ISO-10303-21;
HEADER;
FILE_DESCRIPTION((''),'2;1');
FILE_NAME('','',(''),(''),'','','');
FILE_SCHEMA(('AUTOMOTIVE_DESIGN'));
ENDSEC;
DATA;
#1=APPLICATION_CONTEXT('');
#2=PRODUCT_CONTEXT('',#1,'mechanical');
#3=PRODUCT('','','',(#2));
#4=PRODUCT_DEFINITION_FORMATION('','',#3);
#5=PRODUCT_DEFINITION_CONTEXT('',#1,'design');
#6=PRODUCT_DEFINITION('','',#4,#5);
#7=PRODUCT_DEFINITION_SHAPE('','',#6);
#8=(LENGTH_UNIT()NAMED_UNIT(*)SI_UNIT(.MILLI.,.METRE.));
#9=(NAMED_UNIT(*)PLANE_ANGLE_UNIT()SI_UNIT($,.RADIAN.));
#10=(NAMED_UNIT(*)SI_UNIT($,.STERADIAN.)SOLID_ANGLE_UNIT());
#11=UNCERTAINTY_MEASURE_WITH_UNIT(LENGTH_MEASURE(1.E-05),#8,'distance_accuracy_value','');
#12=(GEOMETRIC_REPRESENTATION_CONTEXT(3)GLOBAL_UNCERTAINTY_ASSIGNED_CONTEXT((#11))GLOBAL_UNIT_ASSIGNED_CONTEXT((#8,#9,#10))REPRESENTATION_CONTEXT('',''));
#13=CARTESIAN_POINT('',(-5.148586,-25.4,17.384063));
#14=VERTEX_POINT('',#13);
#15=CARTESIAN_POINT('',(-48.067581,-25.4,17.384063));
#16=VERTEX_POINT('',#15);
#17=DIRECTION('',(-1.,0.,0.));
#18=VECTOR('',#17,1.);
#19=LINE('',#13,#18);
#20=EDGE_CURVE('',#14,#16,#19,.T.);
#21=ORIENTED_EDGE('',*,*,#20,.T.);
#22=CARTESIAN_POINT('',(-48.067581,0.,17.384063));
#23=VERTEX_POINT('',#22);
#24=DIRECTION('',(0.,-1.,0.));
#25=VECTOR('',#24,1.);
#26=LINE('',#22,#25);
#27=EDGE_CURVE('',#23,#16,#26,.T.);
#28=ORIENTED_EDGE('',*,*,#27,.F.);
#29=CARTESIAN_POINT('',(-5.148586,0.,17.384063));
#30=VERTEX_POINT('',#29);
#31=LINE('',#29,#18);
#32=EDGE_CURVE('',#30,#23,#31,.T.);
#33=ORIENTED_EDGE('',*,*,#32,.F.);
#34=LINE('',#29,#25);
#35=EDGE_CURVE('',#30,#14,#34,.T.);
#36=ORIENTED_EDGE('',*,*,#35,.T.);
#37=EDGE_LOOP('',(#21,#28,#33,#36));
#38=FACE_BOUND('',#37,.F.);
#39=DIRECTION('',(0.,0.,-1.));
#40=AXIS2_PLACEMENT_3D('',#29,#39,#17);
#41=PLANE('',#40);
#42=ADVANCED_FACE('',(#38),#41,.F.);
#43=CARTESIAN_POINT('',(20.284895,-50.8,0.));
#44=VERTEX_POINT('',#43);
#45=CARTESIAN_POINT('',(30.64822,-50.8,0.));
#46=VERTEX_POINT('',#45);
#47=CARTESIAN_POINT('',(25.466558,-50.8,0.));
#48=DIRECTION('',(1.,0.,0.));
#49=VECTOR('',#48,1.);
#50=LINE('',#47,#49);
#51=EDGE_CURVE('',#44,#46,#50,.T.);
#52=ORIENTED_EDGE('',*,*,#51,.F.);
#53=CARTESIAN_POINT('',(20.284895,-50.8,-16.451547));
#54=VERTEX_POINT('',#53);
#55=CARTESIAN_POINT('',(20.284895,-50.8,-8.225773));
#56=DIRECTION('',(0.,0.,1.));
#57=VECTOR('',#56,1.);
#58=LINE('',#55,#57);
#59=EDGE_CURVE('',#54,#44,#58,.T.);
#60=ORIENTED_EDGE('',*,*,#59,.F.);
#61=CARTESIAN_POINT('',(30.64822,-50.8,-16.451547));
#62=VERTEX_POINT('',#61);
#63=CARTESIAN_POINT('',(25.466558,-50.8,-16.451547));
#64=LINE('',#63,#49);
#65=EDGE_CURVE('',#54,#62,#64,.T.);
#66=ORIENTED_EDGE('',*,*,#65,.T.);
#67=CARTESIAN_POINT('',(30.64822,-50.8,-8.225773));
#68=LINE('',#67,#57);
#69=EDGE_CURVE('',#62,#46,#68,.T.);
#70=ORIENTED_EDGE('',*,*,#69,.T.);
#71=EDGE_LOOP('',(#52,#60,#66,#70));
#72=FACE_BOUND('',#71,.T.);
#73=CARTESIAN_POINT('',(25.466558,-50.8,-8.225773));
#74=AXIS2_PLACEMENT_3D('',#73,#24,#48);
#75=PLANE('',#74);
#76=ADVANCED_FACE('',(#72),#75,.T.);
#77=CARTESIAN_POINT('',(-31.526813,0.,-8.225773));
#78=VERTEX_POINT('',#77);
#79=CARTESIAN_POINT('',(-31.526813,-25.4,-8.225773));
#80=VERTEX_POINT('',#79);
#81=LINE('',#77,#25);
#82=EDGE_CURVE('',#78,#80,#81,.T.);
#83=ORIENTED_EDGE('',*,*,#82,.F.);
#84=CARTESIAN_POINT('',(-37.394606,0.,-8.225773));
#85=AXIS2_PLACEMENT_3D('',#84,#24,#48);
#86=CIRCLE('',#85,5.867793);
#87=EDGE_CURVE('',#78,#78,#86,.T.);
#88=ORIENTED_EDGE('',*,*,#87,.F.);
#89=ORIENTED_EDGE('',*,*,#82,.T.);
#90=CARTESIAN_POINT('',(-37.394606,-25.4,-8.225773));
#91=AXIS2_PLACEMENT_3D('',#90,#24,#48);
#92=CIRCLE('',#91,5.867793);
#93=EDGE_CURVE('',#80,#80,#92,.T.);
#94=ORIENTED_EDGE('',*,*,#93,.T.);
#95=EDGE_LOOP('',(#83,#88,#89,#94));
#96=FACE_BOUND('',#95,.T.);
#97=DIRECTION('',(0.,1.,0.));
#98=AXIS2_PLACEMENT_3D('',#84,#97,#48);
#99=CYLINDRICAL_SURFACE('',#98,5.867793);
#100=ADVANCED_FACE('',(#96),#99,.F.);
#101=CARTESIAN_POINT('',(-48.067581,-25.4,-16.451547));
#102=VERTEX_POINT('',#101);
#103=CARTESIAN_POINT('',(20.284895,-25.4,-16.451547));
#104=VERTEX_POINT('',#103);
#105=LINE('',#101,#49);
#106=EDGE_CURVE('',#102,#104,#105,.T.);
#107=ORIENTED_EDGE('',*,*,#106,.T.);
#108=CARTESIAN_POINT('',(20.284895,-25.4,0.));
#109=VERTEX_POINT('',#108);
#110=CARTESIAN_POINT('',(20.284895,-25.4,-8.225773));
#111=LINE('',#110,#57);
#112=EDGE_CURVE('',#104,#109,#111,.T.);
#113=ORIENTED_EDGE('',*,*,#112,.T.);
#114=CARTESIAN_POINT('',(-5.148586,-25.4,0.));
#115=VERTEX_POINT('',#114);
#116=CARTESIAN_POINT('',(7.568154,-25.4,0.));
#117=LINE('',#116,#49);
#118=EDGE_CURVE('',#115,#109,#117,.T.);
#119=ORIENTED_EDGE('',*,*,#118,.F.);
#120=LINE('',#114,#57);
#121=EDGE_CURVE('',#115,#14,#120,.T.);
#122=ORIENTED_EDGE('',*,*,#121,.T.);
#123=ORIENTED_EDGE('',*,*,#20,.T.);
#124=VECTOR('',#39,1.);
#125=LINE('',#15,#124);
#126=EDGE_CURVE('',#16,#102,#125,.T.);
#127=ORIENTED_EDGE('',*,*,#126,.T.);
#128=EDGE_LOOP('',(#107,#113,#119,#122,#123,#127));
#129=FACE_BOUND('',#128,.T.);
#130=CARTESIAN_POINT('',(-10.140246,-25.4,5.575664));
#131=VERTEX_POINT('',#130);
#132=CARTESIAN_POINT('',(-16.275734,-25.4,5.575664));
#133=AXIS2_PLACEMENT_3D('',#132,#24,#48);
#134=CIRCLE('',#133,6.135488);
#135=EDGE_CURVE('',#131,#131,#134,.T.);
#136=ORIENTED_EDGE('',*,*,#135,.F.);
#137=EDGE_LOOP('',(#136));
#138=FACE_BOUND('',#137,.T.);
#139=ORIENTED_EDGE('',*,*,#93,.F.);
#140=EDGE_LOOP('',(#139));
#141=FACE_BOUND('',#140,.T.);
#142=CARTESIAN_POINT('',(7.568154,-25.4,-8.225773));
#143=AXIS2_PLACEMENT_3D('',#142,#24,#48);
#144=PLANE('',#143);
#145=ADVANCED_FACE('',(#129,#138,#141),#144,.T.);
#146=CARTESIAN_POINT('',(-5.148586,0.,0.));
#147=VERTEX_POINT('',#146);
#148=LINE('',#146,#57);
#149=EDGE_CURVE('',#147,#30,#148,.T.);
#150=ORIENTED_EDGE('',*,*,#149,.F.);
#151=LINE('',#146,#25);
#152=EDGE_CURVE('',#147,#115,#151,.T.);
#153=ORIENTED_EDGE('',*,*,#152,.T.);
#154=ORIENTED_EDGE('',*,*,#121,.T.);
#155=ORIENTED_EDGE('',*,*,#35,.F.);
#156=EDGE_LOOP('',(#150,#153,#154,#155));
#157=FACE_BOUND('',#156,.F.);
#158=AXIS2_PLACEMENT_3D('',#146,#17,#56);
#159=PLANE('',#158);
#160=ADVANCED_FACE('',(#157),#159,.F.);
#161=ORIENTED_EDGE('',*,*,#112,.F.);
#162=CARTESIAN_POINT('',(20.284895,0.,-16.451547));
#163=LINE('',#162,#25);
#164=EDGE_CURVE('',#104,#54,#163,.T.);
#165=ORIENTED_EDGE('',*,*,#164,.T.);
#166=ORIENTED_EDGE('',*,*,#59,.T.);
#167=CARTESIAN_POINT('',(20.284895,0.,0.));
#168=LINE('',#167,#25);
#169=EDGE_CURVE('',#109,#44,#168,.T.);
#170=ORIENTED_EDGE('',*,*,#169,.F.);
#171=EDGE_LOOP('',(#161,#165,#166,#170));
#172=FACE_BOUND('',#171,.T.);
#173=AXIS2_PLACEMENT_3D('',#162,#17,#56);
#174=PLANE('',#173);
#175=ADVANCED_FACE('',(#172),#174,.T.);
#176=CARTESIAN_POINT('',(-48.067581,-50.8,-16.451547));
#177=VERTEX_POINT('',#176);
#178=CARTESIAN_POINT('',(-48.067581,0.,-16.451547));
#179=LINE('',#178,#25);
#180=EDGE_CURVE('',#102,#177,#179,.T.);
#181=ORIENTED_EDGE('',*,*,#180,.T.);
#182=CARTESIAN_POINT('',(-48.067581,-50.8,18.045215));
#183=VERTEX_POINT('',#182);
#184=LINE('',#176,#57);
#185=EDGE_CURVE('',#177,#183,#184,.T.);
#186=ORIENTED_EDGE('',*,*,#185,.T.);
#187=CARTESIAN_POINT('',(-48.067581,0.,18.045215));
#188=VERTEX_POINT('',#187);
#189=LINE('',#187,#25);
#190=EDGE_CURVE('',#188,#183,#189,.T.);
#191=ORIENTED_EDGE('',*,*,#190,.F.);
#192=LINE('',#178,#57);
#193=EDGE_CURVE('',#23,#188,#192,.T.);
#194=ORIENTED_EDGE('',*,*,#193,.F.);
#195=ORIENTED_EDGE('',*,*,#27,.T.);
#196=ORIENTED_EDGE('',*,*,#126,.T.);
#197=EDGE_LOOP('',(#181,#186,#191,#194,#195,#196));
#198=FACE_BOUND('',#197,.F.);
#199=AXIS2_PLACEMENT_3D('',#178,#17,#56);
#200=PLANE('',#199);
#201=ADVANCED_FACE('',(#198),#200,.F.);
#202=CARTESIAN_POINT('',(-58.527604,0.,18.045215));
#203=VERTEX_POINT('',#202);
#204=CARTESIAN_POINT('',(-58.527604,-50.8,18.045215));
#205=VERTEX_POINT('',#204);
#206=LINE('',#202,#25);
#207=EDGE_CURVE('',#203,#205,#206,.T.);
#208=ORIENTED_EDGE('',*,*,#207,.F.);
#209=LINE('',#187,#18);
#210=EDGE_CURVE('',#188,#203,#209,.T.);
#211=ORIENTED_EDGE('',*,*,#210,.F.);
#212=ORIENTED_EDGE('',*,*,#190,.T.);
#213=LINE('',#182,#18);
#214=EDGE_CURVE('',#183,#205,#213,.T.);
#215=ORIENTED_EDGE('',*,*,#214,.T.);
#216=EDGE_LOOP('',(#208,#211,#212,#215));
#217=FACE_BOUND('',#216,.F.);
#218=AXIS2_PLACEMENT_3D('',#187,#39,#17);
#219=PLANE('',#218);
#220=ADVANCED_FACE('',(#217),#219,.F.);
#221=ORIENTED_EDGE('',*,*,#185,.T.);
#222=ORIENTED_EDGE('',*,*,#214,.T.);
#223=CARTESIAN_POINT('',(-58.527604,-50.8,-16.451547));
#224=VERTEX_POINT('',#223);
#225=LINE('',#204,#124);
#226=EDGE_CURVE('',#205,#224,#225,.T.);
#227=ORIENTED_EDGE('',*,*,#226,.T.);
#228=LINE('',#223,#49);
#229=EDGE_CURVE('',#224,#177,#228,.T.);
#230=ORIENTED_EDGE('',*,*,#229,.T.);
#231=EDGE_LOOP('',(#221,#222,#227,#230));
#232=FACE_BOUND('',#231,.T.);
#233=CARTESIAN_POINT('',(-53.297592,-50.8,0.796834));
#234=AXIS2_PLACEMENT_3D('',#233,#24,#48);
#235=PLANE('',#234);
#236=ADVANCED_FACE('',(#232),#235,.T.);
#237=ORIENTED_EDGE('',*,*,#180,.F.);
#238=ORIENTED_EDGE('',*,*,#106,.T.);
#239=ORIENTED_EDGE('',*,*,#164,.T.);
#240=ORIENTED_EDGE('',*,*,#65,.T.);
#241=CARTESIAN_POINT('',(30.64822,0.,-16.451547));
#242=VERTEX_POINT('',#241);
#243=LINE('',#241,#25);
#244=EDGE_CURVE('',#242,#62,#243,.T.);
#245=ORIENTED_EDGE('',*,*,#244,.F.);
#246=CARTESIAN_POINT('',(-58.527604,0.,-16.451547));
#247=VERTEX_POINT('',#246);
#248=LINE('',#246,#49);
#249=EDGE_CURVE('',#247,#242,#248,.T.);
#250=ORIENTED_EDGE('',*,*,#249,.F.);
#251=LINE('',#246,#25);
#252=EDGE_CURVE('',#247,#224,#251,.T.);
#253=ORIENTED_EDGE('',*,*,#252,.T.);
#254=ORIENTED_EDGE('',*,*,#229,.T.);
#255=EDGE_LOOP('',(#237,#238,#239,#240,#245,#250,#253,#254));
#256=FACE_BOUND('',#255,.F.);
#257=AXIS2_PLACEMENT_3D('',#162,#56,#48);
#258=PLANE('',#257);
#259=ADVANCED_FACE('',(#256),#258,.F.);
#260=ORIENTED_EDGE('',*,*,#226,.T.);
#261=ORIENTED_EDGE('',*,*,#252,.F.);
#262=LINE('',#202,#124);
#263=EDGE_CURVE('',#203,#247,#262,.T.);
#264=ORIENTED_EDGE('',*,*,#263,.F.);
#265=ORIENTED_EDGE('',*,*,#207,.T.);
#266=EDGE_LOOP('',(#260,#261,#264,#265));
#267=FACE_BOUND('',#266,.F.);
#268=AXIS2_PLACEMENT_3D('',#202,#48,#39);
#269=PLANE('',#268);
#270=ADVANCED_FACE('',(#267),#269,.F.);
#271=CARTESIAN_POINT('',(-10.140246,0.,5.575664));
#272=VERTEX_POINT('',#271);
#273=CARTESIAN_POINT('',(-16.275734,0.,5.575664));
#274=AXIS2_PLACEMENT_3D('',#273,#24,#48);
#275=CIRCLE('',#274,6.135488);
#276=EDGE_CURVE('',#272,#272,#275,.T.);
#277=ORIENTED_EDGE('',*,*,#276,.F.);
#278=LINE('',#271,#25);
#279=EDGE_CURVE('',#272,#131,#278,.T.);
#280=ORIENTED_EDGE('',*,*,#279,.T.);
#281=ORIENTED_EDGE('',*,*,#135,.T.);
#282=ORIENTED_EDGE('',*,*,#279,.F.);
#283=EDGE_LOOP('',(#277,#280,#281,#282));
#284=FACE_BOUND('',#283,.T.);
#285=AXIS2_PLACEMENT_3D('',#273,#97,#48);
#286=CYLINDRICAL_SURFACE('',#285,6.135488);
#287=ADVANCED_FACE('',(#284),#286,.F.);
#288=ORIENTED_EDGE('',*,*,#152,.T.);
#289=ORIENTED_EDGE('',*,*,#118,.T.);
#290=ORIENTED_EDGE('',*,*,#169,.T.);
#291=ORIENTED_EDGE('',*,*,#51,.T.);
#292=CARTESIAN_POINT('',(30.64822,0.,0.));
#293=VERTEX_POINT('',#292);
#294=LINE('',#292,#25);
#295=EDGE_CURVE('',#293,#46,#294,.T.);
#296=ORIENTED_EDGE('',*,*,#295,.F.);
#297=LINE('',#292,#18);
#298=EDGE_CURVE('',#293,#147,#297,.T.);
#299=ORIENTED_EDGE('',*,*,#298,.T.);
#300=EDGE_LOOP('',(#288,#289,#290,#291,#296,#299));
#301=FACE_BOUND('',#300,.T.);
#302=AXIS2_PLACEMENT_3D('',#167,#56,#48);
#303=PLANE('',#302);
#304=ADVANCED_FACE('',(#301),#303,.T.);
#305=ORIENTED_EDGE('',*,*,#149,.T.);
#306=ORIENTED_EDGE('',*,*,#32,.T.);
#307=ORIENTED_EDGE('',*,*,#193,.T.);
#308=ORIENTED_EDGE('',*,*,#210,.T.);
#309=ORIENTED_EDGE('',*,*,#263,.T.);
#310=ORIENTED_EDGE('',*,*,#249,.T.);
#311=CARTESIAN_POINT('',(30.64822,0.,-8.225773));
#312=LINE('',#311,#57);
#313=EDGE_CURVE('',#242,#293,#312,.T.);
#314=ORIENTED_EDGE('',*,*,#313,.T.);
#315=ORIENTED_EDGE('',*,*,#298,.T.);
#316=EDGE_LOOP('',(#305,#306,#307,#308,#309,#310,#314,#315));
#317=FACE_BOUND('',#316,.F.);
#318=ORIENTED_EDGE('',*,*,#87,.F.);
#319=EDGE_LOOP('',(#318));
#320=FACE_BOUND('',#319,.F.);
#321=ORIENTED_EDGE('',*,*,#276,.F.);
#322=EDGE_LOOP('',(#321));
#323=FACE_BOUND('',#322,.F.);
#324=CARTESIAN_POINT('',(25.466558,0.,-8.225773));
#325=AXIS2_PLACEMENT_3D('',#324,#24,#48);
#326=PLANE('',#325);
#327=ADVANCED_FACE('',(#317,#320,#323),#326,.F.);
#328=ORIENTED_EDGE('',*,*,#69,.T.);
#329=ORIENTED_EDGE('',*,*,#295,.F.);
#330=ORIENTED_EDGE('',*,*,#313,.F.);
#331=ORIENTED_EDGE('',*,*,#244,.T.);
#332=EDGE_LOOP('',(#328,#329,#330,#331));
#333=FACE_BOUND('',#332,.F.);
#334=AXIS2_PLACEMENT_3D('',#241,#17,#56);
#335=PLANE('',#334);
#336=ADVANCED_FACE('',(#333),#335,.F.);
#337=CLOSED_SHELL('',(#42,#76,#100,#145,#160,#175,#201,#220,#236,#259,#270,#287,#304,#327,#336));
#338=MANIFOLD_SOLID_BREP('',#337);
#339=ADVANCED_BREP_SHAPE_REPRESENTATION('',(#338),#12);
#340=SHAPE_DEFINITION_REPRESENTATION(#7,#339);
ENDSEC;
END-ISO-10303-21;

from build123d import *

# Parameters (mm, degrees)
F0_W     = 25.4334812053
F0_H     = 16.4515469223
F0_R     = 5.8677929032
F0_R_2   = 6.1354877086
F1_DEPTH = 25.4
F0_W_2   = 10.3633254766
F2_DEPTH = 50.8


with BuildPart() as f1:
    # F0 (on Front) → F1 (new body)
    with BuildSketch(Plane.XZ):
        with Locations((7.5681542512, -8.2257734612)):
            Rectangle(F0_W, F0_H)
        Polygon((-5.1485863514, 17.3840634525), (-48.0675809085, 17.3840634525), (-48.0675809085, -16.4515469223), (-5.1485863514, -16.4515469223), (-5.1485863514, 0), align=None)
        with Locations((-37.394605577, -8.2257734612)):
            Circle(F0_R, mode=Mode.SUBTRACT)
        with Locations((-16.2757337093, 5.5756638758)):
            Circle(F0_R_2, mode=Mode.SUBTRACT)
    extrude(amount=F1_DEPTH)

    # F0 (on Front) → F2 (join)
    with BuildSketch(Plane.XZ):
        with Locations((25.4665575922, -8.2257734612)):
            Rectangle(F0_W_2, F0_H)
        Polygon((-48.0675809085, -16.4515469223), (-48.0675809085, 17.3840634525), (-48.0675809085, 18.0452149361), (-58.5276037455, 18.0452149361), (-58.5276037455, -16.4515469223), align=None)
    extrude(amount=F2_DEPTH)


solid = f1.part
